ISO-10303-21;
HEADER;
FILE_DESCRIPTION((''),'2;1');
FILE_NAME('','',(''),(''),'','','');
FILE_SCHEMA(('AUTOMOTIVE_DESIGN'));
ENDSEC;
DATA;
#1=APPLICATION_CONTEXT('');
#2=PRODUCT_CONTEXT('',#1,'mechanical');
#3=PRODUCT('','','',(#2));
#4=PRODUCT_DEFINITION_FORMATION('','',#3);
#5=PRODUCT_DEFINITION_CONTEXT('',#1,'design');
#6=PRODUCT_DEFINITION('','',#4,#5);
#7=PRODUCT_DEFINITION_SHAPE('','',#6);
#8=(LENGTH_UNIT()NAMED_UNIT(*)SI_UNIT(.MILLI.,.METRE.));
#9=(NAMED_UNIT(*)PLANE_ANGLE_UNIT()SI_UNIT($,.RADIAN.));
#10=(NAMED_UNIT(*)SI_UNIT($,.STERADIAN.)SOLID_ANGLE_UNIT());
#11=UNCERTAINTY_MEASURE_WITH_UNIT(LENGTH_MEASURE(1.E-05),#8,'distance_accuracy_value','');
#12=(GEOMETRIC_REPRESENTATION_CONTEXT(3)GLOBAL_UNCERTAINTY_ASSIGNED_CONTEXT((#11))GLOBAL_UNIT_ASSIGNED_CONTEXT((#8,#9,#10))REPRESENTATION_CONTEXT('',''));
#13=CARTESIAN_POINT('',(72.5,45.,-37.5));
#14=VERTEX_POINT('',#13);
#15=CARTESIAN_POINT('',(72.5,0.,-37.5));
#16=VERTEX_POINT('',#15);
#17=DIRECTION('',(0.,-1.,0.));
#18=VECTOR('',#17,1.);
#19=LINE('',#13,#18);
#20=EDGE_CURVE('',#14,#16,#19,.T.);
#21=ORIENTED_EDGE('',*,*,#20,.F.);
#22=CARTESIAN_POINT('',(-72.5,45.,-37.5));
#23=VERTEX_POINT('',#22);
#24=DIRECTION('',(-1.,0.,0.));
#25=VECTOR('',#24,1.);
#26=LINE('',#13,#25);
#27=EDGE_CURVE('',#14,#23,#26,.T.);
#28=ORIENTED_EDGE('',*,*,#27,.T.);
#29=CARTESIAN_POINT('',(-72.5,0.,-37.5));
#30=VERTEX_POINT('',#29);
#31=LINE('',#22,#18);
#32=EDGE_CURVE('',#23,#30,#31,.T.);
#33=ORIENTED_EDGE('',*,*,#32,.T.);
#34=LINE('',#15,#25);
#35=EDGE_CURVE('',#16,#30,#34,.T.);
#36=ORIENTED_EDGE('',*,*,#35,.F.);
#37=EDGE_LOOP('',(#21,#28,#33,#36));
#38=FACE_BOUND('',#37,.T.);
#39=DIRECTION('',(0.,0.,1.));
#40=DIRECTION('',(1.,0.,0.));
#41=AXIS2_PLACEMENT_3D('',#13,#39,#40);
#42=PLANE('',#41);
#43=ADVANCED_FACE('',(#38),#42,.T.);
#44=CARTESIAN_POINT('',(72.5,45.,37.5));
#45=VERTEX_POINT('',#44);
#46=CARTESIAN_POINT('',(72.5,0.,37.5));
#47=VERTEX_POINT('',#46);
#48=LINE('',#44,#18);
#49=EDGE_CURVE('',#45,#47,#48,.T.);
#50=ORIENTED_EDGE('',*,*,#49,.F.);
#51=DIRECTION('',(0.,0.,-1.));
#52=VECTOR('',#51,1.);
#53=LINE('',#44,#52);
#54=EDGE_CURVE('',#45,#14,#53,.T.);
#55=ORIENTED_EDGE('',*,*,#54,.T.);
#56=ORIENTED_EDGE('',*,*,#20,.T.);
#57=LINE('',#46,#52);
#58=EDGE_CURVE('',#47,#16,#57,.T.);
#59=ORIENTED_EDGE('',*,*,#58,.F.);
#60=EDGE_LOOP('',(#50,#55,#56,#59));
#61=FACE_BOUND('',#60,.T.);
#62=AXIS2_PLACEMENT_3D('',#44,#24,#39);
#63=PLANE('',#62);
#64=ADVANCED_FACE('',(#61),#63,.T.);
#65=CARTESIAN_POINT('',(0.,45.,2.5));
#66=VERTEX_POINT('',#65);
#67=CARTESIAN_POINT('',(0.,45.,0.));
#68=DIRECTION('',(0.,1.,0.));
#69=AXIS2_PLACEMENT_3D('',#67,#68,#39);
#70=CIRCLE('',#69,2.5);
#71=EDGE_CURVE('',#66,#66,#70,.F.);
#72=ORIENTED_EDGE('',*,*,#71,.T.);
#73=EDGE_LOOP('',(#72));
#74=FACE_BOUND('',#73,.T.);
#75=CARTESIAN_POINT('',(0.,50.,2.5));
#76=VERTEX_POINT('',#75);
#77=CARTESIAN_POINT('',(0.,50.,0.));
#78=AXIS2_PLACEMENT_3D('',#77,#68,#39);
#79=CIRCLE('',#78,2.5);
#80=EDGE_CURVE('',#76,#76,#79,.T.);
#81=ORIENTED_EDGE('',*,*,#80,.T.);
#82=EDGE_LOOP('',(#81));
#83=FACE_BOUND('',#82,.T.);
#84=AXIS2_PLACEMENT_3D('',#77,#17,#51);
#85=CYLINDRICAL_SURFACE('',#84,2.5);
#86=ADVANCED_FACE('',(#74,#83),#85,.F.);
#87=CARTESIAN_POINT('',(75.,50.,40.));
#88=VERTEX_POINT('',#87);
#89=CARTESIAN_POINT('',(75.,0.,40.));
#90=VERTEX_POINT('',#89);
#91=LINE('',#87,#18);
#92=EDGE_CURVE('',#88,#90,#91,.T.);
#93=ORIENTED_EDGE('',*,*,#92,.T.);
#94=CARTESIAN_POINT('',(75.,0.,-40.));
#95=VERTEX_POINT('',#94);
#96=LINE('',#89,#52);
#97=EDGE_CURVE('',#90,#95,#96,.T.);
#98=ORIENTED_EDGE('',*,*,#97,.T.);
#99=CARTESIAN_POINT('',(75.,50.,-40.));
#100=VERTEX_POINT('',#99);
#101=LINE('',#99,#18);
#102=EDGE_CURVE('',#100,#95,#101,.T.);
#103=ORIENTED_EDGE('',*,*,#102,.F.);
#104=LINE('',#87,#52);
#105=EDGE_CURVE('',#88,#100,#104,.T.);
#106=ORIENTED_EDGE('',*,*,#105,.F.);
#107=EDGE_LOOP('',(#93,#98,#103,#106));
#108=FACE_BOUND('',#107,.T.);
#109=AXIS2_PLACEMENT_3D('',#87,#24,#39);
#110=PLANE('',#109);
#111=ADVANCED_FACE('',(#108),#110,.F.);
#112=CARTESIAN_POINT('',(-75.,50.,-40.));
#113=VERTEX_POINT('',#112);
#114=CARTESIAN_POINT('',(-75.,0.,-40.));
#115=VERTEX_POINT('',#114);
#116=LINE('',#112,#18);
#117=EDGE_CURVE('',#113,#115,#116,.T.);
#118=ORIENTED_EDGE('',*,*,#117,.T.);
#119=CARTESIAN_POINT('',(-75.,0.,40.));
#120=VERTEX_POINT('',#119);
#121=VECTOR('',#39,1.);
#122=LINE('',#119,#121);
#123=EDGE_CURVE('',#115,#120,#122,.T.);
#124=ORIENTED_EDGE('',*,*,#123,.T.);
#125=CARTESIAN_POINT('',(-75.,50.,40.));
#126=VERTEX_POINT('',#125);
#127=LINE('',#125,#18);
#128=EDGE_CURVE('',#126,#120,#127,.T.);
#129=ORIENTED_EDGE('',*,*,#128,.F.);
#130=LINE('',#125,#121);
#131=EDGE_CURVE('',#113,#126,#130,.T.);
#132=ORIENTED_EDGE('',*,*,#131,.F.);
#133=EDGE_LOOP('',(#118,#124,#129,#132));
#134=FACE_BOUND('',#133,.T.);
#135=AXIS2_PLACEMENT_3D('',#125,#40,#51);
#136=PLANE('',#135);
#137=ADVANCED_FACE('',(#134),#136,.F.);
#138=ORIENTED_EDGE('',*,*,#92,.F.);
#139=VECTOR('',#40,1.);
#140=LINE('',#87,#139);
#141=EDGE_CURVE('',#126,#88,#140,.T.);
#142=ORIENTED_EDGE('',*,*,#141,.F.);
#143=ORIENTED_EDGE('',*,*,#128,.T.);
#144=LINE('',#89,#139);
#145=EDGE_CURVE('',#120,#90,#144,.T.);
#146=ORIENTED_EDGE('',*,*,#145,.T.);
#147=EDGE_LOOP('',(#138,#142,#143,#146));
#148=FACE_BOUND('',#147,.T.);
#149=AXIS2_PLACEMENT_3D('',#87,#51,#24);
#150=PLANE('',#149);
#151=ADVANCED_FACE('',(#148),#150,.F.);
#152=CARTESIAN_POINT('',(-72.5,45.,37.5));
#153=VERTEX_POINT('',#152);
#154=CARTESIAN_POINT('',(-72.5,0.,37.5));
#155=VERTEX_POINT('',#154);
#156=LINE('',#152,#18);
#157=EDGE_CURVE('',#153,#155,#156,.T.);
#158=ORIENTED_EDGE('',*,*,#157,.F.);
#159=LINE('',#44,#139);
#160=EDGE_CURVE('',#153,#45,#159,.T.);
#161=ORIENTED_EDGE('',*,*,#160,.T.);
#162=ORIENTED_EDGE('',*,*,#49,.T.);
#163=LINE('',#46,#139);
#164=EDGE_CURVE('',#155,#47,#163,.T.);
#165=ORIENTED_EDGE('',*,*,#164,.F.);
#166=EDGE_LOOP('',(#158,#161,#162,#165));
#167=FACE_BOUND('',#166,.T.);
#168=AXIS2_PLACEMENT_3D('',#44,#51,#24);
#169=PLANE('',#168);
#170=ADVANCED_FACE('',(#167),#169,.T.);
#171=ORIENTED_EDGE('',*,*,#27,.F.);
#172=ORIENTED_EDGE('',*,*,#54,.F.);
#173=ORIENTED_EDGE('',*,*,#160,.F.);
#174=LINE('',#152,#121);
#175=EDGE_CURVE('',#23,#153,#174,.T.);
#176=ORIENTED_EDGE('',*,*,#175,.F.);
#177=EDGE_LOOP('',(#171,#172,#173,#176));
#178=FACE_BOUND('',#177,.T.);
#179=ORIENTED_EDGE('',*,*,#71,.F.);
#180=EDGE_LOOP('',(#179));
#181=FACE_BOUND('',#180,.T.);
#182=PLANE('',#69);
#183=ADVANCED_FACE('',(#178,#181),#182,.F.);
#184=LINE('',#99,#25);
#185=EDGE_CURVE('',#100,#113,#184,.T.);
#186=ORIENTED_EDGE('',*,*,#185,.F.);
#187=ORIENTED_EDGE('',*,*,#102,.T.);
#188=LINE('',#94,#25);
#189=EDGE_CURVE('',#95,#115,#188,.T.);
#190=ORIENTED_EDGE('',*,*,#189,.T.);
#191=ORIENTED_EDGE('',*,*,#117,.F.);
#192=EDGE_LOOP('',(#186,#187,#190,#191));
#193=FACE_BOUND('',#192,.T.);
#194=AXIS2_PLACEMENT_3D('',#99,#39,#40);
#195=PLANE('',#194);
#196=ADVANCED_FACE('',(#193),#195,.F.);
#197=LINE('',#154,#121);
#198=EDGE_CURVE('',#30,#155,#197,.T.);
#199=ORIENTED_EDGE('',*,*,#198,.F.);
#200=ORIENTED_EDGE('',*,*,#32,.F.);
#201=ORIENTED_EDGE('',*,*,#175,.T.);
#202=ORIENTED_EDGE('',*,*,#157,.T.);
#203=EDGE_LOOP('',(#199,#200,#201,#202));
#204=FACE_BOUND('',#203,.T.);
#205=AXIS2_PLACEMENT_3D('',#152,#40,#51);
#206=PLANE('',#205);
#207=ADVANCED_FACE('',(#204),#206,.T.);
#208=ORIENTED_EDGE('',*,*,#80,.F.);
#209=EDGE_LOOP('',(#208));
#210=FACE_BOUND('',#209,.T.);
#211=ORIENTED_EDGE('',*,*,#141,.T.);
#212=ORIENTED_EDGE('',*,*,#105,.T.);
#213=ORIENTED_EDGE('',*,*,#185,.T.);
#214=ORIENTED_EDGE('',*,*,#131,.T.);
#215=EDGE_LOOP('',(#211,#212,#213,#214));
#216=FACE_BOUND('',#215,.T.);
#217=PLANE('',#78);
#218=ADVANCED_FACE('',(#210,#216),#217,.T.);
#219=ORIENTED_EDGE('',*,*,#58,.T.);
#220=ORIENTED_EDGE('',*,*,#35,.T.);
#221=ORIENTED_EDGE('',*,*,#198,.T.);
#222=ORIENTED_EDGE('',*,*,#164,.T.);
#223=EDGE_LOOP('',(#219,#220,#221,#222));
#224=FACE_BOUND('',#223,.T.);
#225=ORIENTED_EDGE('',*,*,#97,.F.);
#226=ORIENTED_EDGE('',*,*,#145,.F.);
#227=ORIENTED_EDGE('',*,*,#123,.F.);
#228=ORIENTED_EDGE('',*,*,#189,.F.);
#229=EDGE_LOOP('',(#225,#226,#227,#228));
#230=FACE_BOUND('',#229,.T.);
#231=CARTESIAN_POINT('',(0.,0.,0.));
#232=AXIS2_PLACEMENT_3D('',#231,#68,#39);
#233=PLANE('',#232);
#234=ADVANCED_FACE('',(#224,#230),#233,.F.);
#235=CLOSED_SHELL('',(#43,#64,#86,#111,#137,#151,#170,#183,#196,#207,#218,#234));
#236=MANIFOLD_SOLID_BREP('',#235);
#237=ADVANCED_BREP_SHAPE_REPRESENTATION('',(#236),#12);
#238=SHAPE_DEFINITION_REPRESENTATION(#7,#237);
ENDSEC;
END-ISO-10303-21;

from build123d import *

# Parameters (mm, degrees)
SKETCH1_W           = 150
SKETCH1_H           = 80
BOSS_EXTRUDE4_DEPTH = 50
SKETCH2_W           = 145
SKETCH2_H           = 75
CUT_EXTRUDE12_DEPTH = 45
SKETCH3_R           = 2.5
CUT_EXTRUDE13_DEPTH = 99.615414617


with BuildPart() as part:
    # Sketch1 → Boss-Extrude4 (new body)
    with BuildSketch(Plane(origin=(0, 0, 0), x_dir=(1, 0, 0), z_dir=(0, 1, 0))):
        Rectangle(SKETCH1_W, SKETCH1_H)
    extrude(amount=BOSS_EXTRUDE4_DEPTH)

    # Sketch2 → Cut-Extrude12 (cut)
    with BuildSketch(Plane(origin=(0, 0, 0), x_dir=(1, 0, 0), z_dir=(0, 1, 0))):
        Rectangle(SKETCH2_W, SKETCH2_H)
    extrude(amount=CUT_EXTRUDE12_DEPTH, mode=Mode.SUBTRACT)

    # Sketch3 → Cut-Extrude13 (cut, through all)
    with BuildSketch(Plane(origin=(0, 0, 0), x_dir=(1, 0, 0), z_dir=(0, 1, 0))):
        with Locations(Location((0, 0, 0), (0, 0, 270))):
            Circle(SKETCH3_R)
    extrude(amount=CUT_EXTRUDE13_DEPTH, mode=Mode.SUBTRACT)


solid = part.part
